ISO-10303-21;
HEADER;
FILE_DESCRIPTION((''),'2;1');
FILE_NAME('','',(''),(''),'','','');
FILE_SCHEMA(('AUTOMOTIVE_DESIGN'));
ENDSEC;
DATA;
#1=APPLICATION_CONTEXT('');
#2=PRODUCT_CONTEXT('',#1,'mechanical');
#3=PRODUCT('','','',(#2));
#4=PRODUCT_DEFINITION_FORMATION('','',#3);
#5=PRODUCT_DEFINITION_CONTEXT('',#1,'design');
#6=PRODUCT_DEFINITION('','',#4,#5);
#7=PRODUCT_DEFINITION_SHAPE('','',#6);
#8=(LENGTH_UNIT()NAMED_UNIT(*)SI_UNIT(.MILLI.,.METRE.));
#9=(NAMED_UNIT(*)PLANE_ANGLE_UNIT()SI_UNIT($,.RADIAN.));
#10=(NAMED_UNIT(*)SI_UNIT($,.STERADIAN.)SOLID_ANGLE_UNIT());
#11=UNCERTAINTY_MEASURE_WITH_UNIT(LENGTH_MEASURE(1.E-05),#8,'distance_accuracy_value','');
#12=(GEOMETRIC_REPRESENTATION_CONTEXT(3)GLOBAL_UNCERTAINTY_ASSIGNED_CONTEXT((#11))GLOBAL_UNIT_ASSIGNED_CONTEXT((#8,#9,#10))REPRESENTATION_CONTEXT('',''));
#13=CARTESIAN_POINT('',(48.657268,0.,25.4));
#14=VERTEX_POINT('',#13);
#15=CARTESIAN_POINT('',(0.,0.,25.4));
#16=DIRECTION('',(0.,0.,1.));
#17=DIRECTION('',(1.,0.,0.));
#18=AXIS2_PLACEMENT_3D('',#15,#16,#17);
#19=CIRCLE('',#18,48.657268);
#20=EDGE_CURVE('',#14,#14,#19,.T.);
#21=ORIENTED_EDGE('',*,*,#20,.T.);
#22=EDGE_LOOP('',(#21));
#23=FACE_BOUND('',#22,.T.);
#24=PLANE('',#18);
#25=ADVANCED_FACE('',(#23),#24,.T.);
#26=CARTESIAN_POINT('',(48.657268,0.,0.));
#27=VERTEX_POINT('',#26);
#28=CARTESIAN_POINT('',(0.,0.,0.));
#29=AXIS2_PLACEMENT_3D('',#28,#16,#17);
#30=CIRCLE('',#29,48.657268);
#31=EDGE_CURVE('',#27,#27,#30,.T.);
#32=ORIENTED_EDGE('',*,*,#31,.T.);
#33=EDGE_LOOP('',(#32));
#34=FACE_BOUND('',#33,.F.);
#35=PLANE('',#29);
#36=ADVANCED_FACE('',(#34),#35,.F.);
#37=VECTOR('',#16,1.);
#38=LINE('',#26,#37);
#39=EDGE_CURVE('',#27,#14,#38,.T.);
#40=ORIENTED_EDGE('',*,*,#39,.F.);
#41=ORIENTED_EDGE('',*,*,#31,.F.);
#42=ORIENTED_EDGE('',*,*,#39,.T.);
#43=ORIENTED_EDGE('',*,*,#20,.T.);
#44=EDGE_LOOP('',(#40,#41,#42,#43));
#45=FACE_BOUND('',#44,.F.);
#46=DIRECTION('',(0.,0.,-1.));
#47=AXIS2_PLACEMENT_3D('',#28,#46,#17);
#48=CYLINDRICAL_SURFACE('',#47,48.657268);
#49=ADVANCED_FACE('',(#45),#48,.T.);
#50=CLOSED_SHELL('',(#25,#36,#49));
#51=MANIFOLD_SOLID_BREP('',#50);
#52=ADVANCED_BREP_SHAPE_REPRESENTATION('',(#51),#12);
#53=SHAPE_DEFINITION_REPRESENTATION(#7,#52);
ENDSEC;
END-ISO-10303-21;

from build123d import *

# Parameters (mm, degrees)
F0_R     = 48.657268
F1_DEPTH = 25.4
F2_W     = 34.458288
F2_H     = 28.057468
F3_DEPTH = 25.4


with BuildPart() as f1:
    # F0 (on Top) → F1 (new body)
    with BuildSketch(Plane.XY):
        Circle(F0_R)
    extrude(amount=F1_DEPTH)

    # F2 (on Top) → F3 (join)
    with BuildSketch(Plane.XY):
        Rectangle(F2_W, F2_H)
    extrude(amount=F3_DEPTH)


solid = f1.part
